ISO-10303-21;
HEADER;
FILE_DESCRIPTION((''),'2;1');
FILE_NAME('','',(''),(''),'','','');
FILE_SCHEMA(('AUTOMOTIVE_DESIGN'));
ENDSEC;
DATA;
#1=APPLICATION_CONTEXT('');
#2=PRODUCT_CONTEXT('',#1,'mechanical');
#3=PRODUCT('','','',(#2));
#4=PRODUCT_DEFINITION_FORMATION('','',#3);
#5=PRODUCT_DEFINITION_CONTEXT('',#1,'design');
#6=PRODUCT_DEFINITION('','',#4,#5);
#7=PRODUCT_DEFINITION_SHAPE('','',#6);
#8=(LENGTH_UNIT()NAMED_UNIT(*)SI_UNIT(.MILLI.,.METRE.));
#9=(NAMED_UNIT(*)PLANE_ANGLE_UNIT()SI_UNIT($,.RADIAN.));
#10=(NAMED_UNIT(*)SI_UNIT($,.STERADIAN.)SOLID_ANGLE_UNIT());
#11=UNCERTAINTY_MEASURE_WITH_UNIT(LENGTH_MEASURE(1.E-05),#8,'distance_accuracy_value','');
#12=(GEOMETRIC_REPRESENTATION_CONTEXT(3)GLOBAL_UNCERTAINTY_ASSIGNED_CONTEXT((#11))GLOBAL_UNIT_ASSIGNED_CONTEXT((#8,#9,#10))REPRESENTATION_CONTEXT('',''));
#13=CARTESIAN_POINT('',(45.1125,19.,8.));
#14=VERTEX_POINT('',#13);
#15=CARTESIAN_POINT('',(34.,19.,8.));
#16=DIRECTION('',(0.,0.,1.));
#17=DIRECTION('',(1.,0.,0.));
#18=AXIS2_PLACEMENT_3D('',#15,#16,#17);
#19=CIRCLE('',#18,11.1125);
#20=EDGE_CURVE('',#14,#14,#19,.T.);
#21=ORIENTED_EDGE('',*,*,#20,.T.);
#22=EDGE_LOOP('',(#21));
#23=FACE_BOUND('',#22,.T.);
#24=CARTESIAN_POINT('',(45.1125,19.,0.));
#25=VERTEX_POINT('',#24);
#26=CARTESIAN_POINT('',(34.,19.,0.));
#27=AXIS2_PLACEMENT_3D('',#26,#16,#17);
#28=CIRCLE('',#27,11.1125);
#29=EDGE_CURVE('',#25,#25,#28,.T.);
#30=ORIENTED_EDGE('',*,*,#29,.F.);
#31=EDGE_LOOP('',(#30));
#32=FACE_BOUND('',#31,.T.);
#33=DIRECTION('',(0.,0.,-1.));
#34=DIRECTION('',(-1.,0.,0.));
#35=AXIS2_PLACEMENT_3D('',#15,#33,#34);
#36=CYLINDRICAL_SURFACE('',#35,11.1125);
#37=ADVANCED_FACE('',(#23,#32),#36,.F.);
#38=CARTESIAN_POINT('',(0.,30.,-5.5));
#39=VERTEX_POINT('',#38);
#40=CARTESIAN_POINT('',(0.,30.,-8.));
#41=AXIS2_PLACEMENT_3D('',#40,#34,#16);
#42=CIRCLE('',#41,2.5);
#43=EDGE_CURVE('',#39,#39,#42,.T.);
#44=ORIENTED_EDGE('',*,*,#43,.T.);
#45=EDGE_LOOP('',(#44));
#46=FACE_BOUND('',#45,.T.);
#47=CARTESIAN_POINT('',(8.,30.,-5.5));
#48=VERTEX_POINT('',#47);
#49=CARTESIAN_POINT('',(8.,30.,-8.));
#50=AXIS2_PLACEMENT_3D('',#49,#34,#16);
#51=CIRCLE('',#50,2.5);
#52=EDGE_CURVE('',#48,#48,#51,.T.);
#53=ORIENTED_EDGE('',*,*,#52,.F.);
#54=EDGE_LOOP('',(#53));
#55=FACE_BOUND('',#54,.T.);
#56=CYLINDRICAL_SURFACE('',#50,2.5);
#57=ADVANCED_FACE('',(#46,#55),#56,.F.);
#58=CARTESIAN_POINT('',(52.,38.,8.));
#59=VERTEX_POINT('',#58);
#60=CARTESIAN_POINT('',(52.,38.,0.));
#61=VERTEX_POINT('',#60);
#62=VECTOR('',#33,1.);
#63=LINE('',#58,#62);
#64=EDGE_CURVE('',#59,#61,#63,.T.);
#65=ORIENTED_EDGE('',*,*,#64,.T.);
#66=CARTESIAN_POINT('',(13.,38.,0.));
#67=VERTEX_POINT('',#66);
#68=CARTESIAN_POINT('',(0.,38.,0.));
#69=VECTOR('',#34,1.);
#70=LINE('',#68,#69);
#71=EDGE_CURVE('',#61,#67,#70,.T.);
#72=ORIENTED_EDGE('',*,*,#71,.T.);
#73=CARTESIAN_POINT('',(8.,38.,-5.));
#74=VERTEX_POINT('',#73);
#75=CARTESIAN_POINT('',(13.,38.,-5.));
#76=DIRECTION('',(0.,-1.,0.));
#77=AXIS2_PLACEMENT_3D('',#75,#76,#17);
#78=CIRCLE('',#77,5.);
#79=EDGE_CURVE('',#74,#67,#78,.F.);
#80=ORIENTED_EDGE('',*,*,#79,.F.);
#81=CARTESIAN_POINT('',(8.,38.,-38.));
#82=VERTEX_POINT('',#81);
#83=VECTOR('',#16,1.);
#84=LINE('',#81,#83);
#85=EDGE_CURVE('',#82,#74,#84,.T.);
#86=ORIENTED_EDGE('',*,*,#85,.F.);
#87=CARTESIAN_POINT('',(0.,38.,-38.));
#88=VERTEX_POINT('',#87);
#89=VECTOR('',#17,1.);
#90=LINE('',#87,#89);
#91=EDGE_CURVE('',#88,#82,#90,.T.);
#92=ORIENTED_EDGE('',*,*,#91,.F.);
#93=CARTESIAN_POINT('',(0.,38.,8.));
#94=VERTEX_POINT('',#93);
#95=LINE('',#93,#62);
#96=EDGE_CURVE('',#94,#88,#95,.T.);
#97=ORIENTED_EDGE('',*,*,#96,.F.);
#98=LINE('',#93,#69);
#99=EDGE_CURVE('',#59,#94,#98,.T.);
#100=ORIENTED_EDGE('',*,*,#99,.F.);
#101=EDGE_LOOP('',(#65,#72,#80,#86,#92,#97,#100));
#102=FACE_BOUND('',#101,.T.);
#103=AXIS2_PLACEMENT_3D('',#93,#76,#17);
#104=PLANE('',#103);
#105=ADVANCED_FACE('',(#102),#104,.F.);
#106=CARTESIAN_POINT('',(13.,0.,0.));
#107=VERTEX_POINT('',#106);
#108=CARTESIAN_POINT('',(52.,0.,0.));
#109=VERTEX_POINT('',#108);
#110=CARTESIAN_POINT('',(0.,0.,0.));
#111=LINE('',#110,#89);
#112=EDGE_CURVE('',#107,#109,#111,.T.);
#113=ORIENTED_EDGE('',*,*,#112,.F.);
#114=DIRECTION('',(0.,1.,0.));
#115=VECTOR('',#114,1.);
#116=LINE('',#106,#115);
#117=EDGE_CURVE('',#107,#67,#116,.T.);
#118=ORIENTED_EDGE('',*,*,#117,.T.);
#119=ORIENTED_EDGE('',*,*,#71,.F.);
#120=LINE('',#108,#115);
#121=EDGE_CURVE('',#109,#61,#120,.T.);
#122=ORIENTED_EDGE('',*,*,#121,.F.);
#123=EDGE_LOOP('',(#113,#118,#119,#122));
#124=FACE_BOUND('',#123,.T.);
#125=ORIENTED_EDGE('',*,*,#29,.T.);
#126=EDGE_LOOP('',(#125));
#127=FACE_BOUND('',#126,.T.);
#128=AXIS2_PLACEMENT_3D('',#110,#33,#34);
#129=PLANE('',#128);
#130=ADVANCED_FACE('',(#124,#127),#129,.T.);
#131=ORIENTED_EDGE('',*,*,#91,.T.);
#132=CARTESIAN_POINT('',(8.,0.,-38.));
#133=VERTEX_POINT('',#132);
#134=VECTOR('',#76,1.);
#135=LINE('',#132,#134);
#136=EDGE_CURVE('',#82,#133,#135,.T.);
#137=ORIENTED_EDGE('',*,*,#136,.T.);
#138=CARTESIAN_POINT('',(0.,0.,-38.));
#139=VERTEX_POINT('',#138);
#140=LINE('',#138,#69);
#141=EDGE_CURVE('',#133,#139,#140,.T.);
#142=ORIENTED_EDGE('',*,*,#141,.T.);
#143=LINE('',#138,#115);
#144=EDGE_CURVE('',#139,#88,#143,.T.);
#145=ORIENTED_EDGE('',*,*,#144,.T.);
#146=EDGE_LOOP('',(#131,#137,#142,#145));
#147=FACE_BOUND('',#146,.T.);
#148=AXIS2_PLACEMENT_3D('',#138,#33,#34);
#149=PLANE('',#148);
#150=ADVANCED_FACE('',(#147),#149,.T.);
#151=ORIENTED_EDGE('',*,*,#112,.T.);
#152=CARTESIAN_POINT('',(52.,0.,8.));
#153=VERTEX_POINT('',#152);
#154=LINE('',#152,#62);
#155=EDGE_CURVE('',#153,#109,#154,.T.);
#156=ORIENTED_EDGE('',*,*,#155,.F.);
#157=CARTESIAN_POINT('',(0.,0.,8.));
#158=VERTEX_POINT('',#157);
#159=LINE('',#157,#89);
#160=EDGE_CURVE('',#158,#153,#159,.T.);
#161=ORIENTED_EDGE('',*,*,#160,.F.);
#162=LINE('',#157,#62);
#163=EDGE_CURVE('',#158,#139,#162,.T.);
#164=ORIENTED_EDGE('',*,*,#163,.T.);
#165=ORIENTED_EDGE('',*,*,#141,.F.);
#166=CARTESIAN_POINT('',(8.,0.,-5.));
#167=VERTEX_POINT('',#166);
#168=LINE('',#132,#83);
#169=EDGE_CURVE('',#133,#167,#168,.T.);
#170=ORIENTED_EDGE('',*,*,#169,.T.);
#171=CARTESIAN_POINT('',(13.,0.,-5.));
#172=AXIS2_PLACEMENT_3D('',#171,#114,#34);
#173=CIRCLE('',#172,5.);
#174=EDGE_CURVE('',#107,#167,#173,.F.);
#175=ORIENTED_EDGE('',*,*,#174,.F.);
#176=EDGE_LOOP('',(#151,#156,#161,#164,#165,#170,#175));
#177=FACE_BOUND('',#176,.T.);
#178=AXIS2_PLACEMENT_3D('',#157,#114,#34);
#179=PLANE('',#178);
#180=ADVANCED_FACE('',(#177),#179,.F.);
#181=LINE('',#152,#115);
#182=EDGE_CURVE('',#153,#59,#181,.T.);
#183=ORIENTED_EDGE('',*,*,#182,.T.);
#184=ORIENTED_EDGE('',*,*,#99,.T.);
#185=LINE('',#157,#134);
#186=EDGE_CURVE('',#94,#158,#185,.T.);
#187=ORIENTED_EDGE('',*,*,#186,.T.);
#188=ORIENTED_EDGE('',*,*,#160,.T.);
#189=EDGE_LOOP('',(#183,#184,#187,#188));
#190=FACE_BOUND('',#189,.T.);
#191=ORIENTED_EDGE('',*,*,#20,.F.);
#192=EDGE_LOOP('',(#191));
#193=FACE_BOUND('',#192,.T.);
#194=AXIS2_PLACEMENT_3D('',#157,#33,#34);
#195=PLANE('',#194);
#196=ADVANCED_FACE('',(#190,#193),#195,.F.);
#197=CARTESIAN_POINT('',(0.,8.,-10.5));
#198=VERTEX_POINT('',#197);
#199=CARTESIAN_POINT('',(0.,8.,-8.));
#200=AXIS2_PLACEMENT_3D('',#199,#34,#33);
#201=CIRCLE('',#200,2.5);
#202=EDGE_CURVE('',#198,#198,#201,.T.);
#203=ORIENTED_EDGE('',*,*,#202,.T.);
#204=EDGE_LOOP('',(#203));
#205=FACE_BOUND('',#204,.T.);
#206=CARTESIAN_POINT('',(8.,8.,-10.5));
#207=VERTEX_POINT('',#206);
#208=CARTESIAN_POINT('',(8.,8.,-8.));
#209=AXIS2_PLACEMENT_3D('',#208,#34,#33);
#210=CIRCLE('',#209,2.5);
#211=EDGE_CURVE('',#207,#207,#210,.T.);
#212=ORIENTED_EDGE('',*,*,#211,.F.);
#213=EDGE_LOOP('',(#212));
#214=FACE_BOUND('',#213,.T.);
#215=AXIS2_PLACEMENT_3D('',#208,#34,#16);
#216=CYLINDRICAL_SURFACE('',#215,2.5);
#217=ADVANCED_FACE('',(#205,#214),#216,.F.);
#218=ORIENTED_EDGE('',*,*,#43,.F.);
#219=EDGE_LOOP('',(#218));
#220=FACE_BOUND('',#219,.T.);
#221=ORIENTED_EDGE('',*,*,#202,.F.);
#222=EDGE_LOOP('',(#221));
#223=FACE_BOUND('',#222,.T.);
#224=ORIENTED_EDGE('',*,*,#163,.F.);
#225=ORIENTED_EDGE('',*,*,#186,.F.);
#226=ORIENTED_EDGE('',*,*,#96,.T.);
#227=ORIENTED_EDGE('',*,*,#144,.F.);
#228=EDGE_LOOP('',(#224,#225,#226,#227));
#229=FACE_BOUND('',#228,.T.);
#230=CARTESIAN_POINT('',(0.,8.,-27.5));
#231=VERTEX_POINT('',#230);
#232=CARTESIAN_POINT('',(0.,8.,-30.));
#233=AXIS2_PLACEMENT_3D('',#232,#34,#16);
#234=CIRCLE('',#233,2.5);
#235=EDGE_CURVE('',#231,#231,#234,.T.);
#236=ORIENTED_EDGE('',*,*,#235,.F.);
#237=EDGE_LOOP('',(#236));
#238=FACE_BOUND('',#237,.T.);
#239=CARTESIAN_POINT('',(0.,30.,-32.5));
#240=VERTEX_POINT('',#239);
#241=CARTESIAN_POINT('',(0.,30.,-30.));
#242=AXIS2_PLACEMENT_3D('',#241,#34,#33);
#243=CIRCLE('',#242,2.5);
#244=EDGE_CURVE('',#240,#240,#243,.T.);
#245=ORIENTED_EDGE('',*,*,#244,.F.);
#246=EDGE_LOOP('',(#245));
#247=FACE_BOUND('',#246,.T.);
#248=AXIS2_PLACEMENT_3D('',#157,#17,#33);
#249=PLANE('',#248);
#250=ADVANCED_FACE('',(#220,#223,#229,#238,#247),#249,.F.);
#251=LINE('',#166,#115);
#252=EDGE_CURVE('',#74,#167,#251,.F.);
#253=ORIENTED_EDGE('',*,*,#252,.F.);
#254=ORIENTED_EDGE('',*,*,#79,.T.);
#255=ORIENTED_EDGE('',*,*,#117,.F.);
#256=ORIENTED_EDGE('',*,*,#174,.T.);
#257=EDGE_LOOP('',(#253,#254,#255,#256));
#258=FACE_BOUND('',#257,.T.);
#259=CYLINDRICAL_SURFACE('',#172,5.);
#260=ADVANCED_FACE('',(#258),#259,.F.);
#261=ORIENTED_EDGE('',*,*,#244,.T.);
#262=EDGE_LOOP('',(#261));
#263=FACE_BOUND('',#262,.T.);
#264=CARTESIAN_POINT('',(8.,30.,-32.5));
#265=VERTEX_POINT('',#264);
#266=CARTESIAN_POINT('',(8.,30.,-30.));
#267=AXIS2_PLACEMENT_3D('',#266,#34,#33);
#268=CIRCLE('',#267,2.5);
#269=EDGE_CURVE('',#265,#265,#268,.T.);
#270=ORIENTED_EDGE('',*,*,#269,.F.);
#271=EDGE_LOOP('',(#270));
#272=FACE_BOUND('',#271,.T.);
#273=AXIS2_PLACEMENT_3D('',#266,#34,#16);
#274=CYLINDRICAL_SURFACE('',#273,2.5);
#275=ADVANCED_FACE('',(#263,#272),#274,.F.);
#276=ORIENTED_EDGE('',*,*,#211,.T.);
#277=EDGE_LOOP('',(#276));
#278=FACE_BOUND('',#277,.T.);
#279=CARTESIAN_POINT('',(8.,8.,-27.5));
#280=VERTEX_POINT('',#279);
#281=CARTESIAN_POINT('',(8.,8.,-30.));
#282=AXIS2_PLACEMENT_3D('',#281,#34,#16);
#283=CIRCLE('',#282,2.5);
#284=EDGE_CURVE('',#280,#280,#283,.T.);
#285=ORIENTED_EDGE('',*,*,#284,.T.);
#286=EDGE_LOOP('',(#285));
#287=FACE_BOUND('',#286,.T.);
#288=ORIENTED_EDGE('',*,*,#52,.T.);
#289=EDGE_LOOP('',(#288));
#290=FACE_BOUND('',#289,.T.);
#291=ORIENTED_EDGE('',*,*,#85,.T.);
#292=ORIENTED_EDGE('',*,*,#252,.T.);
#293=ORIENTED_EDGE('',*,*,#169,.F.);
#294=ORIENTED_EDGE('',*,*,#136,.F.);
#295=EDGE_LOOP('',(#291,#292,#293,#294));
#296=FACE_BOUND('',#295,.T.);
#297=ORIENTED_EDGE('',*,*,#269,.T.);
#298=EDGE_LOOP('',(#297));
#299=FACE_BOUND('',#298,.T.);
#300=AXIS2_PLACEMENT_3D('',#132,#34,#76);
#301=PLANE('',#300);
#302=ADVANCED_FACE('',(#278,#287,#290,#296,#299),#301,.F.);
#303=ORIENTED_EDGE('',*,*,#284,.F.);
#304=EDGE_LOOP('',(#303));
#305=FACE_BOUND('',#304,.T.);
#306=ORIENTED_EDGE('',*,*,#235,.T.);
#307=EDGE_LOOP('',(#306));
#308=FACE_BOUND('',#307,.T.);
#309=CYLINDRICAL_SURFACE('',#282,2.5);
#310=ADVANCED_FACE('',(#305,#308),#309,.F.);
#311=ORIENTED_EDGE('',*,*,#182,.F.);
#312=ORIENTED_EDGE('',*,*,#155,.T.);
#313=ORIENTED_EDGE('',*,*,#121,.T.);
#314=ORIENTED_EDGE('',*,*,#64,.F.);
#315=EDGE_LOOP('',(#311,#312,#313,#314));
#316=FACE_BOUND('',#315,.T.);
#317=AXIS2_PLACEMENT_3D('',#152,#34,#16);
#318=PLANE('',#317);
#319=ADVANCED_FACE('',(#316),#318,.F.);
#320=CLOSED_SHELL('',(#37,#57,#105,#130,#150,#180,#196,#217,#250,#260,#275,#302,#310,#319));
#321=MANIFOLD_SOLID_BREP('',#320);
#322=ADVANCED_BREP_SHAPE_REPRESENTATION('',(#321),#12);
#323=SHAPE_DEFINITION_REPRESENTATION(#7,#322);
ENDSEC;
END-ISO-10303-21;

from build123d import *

# Parameters (mm, degrees)
SKETCH1_W        = 52
SKETCH1_H        = 38
SKETCH1_R        = 11.1125
FACEUP_DEPTH     = 8
SKETCH8_W        = 8
SKETCH8_H        = 38
FACEDOWN_DEPTH   = 38
FILLET1_R        = 5
SKETCH9_R        = 2.5
SCREWHOLES_DEPTH = 8


with BuildPart() as part:
    # Sketch1 → FaceUp (new body)
    with BuildSketch(Plane.XY):
        with Locations((26, 19)):
            Rectangle(SKETCH1_W, SKETCH1_H)
        with Locations((34, 19)):
            Circle(SKETCH1_R, mode=Mode.SUBTRACT)
    extrude(amount=FACEUP_DEPTH)

    # Sketch8 → FaceDown (add)
    with BuildSketch(Plane(origin=(0, 0, 0), x_dir=(-1, 0, 0), z_dir=(0, 0, -1))):
        with Locations((-4, 19)):
            Rectangle(SKETCH8_W, SKETCH8_H)
    extrude(amount=FACEDOWN_DEPTH)

    # Fillet1
    fillet1_edges = [part.edges().sort_by_distance(p)[0] for p in [
        (8, 19, 0),
    ]]
    fillet(fillet1_edges, radius=FILLET1_R)

    # Sketch9 → ScrewHoles (cut)
    with BuildSketch(Plane.ZY):
        with Locations((-8, 30)):
            Circle(SKETCH9_R)
        with Locations((-30, 30)):
            Circle(SKETCH9_R)
        with Locations((-8, 8)):
            Circle(SKETCH9_R)
        with Locations((-30, 8)):
            Circle(SKETCH9_R)
    extrude(amount=-SCREWHOLES_DEPTH, mode=Mode.SUBTRACT)


solid = part.part
